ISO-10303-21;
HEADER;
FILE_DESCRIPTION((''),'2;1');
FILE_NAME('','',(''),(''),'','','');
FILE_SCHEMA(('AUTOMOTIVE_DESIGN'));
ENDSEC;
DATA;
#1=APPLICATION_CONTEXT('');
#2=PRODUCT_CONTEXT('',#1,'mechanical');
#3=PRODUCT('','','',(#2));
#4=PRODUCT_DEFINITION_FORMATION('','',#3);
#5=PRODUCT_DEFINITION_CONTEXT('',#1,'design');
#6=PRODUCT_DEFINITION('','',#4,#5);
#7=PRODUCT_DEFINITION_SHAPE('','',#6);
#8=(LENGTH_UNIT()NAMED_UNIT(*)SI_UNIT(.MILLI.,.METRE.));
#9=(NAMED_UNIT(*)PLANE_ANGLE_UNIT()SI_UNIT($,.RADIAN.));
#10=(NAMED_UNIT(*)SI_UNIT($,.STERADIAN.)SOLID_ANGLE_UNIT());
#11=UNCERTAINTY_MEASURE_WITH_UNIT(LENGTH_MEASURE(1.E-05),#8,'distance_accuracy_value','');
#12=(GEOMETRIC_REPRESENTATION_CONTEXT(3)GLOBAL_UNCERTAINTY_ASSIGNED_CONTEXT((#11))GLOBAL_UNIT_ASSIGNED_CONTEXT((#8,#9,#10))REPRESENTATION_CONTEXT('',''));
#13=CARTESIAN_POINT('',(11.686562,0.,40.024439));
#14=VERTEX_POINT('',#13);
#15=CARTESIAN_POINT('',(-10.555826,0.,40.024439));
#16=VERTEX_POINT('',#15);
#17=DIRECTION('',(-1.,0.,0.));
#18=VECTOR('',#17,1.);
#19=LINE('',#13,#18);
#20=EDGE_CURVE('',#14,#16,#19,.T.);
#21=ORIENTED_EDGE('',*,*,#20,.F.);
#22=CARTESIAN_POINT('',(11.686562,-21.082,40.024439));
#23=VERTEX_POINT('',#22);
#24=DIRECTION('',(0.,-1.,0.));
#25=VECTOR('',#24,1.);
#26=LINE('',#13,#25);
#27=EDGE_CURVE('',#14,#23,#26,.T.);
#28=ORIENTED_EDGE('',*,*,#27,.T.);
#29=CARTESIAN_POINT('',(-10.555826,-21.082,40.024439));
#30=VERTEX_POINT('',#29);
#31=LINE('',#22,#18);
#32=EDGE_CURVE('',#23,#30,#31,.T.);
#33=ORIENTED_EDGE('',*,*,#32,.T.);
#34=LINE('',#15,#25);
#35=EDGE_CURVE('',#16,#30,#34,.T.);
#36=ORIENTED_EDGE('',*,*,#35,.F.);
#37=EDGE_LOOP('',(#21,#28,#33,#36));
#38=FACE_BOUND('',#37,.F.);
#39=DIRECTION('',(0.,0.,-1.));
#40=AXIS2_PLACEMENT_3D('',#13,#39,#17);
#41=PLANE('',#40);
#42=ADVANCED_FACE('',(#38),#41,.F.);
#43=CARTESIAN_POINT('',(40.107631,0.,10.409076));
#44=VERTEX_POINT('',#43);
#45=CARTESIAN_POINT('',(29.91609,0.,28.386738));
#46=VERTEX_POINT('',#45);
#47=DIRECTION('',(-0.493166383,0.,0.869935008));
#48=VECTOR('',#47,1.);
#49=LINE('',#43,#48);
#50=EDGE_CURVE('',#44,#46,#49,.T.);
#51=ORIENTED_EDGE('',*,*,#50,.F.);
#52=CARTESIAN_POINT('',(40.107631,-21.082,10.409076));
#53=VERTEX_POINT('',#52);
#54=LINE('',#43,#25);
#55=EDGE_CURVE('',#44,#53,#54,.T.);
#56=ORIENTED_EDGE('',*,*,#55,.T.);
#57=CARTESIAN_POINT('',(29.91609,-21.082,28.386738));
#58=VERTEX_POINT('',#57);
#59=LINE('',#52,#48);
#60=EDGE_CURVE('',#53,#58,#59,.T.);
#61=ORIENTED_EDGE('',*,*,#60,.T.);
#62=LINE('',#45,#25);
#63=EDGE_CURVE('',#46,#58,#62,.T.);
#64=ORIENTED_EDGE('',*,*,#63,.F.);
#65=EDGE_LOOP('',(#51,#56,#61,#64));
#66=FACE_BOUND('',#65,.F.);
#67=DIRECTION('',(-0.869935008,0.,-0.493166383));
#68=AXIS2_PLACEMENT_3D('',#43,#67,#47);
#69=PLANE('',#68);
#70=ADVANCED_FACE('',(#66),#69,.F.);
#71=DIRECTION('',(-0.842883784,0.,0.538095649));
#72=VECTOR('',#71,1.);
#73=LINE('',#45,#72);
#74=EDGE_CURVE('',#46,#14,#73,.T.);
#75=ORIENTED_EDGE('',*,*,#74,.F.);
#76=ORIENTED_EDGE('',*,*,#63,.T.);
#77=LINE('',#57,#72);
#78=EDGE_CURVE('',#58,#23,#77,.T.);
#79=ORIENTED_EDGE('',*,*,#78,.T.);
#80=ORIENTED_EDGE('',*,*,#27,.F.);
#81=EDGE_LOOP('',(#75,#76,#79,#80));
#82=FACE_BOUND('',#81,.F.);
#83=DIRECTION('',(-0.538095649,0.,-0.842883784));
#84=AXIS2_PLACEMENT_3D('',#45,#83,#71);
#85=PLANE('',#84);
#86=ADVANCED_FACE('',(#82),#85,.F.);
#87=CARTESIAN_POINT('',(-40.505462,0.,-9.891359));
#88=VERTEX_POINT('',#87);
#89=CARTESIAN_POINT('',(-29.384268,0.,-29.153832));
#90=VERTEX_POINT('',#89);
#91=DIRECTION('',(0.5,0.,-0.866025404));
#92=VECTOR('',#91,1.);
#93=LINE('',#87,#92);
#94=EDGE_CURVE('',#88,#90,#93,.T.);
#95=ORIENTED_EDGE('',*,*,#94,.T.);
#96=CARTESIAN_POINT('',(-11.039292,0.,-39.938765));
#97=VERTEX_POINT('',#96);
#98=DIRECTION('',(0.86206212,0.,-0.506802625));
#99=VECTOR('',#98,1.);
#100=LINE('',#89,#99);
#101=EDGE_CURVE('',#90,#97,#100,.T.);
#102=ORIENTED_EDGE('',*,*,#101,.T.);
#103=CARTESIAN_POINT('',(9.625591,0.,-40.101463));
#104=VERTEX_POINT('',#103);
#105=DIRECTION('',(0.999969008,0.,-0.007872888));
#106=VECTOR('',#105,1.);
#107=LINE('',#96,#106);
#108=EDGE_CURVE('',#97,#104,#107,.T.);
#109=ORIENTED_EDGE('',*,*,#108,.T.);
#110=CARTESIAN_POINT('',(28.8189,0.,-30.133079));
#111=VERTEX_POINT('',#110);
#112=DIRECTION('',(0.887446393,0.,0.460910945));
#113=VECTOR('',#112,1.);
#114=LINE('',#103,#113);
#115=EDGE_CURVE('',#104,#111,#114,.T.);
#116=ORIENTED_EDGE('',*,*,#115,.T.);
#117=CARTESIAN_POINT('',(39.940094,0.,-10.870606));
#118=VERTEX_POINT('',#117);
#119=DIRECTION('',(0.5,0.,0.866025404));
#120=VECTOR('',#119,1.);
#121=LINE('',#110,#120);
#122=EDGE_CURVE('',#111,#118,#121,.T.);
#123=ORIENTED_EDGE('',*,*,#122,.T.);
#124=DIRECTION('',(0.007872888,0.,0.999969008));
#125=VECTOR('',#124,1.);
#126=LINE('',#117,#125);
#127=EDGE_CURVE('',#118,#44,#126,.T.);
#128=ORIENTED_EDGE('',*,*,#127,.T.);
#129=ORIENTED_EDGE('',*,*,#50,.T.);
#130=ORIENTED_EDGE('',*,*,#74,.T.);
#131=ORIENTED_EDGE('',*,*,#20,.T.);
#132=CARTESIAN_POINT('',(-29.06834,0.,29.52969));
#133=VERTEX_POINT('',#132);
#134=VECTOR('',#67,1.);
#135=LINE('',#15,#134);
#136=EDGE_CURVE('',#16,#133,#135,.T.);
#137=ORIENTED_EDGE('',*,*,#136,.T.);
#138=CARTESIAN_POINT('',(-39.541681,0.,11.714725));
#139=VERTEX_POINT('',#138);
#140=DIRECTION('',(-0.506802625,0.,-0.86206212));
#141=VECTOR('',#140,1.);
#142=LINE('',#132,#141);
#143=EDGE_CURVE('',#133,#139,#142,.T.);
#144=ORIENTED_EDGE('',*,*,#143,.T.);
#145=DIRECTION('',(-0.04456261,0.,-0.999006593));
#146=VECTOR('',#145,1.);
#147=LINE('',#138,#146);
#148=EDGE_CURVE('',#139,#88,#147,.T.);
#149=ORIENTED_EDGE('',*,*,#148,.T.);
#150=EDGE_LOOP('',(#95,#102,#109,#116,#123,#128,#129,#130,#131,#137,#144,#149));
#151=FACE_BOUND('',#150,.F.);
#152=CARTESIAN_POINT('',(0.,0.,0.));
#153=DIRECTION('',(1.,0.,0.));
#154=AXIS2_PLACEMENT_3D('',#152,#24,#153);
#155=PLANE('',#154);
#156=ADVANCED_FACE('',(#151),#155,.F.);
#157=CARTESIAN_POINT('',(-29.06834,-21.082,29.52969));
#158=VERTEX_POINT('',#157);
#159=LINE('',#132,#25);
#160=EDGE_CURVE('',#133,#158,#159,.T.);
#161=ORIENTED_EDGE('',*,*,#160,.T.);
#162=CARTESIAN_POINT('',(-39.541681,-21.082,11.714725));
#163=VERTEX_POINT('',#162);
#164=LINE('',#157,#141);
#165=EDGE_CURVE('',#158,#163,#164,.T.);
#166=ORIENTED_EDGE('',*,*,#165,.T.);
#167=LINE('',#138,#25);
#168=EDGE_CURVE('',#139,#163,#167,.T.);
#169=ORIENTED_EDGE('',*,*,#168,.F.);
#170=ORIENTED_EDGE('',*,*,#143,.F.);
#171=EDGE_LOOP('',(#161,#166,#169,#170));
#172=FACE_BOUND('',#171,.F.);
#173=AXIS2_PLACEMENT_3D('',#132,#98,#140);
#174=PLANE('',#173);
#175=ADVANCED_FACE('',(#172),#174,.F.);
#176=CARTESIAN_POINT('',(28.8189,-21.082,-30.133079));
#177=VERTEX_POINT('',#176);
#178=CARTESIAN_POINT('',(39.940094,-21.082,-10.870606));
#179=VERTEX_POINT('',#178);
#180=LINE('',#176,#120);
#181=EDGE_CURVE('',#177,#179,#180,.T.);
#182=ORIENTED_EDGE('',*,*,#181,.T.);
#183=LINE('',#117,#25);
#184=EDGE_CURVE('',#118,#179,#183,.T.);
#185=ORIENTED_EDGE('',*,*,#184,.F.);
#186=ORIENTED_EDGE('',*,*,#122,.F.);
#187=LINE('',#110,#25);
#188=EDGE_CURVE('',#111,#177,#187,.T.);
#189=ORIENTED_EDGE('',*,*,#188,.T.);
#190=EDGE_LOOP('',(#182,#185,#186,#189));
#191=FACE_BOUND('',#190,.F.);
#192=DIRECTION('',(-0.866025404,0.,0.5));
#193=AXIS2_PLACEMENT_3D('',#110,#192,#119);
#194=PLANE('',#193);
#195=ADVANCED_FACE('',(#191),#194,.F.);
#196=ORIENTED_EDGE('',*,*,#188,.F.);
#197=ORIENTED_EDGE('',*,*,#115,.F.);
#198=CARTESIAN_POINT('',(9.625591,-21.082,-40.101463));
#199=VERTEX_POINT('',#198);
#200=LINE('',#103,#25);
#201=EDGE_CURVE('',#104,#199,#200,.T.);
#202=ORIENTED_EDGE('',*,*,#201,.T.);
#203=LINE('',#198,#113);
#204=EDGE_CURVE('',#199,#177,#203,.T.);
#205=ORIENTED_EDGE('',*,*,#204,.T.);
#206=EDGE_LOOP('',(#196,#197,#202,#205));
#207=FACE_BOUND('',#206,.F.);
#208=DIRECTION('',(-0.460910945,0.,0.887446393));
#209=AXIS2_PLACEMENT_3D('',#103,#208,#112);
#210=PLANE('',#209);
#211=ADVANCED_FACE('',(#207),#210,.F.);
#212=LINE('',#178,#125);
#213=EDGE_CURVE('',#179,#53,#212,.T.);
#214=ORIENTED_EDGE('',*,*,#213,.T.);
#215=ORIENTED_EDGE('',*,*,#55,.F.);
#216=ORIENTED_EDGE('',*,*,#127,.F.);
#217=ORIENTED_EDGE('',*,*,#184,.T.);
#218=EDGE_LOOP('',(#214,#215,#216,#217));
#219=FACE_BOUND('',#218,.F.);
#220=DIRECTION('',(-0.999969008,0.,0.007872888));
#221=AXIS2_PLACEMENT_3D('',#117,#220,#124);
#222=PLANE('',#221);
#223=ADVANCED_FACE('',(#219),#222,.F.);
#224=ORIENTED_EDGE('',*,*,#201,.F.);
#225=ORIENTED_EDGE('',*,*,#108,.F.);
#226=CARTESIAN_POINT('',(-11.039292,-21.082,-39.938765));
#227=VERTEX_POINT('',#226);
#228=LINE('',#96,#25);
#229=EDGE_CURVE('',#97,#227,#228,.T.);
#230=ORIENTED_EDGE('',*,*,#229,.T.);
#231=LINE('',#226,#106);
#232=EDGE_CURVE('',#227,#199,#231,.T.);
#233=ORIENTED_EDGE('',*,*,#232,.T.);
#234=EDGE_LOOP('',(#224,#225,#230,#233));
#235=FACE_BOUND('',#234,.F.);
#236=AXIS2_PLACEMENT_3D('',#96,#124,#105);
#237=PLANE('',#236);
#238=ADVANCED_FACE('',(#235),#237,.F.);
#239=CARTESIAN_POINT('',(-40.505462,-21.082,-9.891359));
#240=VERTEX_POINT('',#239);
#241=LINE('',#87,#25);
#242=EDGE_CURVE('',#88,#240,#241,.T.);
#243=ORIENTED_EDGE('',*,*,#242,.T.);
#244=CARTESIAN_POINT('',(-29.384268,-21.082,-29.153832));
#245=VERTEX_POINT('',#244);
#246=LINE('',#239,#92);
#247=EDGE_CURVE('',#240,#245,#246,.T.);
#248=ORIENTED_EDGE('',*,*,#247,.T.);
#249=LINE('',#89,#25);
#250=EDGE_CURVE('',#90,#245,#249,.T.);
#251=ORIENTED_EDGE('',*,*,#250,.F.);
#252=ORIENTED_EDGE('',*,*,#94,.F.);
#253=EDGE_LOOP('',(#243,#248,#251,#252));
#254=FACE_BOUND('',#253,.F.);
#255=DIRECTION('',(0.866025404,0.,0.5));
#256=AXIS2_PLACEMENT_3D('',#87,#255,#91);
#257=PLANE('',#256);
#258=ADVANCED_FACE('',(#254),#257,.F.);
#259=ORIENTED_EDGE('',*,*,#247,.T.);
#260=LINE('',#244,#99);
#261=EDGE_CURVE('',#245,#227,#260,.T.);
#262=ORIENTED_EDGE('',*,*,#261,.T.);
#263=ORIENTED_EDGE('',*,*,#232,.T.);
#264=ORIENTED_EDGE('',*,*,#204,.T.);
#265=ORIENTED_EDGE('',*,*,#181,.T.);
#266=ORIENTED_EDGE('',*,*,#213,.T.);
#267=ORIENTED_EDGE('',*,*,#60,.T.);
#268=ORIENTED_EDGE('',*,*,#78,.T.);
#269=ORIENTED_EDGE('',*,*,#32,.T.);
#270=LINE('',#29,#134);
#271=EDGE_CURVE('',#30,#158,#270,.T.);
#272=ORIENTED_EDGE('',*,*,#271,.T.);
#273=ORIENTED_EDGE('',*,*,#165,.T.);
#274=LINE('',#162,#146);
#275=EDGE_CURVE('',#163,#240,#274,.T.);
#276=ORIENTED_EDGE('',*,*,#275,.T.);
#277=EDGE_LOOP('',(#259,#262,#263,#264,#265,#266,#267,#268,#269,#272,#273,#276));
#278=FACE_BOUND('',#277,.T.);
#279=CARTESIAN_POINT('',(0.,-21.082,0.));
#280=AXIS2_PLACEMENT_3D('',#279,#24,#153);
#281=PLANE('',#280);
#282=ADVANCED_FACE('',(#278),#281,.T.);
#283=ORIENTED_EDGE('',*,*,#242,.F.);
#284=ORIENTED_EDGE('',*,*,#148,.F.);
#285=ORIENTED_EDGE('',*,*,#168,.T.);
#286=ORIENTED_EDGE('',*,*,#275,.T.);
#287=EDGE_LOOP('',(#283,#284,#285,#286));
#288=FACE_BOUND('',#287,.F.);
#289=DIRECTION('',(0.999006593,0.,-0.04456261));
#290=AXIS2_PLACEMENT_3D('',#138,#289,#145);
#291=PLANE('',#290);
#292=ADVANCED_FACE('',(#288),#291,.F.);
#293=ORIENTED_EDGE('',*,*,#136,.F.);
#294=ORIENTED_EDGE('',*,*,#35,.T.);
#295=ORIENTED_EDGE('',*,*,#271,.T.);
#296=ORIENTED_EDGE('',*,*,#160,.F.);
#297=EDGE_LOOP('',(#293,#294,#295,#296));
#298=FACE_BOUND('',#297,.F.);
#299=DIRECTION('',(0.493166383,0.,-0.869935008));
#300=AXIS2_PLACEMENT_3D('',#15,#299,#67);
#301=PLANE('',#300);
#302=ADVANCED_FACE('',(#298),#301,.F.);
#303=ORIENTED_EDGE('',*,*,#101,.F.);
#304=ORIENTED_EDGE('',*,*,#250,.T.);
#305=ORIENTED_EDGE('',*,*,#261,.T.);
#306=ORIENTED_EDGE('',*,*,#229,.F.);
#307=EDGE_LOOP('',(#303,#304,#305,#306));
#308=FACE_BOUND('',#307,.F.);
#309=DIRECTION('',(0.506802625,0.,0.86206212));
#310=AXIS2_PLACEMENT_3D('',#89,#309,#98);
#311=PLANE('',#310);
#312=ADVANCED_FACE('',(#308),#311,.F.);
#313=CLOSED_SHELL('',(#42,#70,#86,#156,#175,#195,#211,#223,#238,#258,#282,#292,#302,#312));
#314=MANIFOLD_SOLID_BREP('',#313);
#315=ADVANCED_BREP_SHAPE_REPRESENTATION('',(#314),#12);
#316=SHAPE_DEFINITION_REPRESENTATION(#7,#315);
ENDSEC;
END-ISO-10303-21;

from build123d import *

# Parameters (mm, degrees)
F1_DEPTH = 21.082


with BuildPart() as f1:
    # F0 (on Front) → F1 (new body)
    with BuildSketch(Plane.XZ):
        Polygon((-10.555825525, 40.0244387606), (-29.0683396453, 29.5296896823), (-39.5416810071, 11.7147250284), (-40.5054619393, -9.8913594583), (-29.3842679764, -29.1538324429), (-11.0392916081, -39.9387654198), (9.6255910306, -40.1014627747), (28.8188995385, -30.1330793023), (39.9400935015, -10.8706063177), (40.1076312534, 10.4090757375), (29.9160899765, 28.3867377463), (11.6865624008, 40.0244387606), align=None)
        Polygon((16.8791972101, -29.6196397394), (-34.0909590703, 0.1920062903), (17.2117618602, 29.4276334491), align=None, mode=Mode.SUBTRACT)
        Polygon((17.2117618602, 29.4276334491), (-34.0909590703, 0.1920062903), (16.8791972101, -29.6196397394), align=None)
    extrude(amount=F1_DEPTH)


solid = f1.part
